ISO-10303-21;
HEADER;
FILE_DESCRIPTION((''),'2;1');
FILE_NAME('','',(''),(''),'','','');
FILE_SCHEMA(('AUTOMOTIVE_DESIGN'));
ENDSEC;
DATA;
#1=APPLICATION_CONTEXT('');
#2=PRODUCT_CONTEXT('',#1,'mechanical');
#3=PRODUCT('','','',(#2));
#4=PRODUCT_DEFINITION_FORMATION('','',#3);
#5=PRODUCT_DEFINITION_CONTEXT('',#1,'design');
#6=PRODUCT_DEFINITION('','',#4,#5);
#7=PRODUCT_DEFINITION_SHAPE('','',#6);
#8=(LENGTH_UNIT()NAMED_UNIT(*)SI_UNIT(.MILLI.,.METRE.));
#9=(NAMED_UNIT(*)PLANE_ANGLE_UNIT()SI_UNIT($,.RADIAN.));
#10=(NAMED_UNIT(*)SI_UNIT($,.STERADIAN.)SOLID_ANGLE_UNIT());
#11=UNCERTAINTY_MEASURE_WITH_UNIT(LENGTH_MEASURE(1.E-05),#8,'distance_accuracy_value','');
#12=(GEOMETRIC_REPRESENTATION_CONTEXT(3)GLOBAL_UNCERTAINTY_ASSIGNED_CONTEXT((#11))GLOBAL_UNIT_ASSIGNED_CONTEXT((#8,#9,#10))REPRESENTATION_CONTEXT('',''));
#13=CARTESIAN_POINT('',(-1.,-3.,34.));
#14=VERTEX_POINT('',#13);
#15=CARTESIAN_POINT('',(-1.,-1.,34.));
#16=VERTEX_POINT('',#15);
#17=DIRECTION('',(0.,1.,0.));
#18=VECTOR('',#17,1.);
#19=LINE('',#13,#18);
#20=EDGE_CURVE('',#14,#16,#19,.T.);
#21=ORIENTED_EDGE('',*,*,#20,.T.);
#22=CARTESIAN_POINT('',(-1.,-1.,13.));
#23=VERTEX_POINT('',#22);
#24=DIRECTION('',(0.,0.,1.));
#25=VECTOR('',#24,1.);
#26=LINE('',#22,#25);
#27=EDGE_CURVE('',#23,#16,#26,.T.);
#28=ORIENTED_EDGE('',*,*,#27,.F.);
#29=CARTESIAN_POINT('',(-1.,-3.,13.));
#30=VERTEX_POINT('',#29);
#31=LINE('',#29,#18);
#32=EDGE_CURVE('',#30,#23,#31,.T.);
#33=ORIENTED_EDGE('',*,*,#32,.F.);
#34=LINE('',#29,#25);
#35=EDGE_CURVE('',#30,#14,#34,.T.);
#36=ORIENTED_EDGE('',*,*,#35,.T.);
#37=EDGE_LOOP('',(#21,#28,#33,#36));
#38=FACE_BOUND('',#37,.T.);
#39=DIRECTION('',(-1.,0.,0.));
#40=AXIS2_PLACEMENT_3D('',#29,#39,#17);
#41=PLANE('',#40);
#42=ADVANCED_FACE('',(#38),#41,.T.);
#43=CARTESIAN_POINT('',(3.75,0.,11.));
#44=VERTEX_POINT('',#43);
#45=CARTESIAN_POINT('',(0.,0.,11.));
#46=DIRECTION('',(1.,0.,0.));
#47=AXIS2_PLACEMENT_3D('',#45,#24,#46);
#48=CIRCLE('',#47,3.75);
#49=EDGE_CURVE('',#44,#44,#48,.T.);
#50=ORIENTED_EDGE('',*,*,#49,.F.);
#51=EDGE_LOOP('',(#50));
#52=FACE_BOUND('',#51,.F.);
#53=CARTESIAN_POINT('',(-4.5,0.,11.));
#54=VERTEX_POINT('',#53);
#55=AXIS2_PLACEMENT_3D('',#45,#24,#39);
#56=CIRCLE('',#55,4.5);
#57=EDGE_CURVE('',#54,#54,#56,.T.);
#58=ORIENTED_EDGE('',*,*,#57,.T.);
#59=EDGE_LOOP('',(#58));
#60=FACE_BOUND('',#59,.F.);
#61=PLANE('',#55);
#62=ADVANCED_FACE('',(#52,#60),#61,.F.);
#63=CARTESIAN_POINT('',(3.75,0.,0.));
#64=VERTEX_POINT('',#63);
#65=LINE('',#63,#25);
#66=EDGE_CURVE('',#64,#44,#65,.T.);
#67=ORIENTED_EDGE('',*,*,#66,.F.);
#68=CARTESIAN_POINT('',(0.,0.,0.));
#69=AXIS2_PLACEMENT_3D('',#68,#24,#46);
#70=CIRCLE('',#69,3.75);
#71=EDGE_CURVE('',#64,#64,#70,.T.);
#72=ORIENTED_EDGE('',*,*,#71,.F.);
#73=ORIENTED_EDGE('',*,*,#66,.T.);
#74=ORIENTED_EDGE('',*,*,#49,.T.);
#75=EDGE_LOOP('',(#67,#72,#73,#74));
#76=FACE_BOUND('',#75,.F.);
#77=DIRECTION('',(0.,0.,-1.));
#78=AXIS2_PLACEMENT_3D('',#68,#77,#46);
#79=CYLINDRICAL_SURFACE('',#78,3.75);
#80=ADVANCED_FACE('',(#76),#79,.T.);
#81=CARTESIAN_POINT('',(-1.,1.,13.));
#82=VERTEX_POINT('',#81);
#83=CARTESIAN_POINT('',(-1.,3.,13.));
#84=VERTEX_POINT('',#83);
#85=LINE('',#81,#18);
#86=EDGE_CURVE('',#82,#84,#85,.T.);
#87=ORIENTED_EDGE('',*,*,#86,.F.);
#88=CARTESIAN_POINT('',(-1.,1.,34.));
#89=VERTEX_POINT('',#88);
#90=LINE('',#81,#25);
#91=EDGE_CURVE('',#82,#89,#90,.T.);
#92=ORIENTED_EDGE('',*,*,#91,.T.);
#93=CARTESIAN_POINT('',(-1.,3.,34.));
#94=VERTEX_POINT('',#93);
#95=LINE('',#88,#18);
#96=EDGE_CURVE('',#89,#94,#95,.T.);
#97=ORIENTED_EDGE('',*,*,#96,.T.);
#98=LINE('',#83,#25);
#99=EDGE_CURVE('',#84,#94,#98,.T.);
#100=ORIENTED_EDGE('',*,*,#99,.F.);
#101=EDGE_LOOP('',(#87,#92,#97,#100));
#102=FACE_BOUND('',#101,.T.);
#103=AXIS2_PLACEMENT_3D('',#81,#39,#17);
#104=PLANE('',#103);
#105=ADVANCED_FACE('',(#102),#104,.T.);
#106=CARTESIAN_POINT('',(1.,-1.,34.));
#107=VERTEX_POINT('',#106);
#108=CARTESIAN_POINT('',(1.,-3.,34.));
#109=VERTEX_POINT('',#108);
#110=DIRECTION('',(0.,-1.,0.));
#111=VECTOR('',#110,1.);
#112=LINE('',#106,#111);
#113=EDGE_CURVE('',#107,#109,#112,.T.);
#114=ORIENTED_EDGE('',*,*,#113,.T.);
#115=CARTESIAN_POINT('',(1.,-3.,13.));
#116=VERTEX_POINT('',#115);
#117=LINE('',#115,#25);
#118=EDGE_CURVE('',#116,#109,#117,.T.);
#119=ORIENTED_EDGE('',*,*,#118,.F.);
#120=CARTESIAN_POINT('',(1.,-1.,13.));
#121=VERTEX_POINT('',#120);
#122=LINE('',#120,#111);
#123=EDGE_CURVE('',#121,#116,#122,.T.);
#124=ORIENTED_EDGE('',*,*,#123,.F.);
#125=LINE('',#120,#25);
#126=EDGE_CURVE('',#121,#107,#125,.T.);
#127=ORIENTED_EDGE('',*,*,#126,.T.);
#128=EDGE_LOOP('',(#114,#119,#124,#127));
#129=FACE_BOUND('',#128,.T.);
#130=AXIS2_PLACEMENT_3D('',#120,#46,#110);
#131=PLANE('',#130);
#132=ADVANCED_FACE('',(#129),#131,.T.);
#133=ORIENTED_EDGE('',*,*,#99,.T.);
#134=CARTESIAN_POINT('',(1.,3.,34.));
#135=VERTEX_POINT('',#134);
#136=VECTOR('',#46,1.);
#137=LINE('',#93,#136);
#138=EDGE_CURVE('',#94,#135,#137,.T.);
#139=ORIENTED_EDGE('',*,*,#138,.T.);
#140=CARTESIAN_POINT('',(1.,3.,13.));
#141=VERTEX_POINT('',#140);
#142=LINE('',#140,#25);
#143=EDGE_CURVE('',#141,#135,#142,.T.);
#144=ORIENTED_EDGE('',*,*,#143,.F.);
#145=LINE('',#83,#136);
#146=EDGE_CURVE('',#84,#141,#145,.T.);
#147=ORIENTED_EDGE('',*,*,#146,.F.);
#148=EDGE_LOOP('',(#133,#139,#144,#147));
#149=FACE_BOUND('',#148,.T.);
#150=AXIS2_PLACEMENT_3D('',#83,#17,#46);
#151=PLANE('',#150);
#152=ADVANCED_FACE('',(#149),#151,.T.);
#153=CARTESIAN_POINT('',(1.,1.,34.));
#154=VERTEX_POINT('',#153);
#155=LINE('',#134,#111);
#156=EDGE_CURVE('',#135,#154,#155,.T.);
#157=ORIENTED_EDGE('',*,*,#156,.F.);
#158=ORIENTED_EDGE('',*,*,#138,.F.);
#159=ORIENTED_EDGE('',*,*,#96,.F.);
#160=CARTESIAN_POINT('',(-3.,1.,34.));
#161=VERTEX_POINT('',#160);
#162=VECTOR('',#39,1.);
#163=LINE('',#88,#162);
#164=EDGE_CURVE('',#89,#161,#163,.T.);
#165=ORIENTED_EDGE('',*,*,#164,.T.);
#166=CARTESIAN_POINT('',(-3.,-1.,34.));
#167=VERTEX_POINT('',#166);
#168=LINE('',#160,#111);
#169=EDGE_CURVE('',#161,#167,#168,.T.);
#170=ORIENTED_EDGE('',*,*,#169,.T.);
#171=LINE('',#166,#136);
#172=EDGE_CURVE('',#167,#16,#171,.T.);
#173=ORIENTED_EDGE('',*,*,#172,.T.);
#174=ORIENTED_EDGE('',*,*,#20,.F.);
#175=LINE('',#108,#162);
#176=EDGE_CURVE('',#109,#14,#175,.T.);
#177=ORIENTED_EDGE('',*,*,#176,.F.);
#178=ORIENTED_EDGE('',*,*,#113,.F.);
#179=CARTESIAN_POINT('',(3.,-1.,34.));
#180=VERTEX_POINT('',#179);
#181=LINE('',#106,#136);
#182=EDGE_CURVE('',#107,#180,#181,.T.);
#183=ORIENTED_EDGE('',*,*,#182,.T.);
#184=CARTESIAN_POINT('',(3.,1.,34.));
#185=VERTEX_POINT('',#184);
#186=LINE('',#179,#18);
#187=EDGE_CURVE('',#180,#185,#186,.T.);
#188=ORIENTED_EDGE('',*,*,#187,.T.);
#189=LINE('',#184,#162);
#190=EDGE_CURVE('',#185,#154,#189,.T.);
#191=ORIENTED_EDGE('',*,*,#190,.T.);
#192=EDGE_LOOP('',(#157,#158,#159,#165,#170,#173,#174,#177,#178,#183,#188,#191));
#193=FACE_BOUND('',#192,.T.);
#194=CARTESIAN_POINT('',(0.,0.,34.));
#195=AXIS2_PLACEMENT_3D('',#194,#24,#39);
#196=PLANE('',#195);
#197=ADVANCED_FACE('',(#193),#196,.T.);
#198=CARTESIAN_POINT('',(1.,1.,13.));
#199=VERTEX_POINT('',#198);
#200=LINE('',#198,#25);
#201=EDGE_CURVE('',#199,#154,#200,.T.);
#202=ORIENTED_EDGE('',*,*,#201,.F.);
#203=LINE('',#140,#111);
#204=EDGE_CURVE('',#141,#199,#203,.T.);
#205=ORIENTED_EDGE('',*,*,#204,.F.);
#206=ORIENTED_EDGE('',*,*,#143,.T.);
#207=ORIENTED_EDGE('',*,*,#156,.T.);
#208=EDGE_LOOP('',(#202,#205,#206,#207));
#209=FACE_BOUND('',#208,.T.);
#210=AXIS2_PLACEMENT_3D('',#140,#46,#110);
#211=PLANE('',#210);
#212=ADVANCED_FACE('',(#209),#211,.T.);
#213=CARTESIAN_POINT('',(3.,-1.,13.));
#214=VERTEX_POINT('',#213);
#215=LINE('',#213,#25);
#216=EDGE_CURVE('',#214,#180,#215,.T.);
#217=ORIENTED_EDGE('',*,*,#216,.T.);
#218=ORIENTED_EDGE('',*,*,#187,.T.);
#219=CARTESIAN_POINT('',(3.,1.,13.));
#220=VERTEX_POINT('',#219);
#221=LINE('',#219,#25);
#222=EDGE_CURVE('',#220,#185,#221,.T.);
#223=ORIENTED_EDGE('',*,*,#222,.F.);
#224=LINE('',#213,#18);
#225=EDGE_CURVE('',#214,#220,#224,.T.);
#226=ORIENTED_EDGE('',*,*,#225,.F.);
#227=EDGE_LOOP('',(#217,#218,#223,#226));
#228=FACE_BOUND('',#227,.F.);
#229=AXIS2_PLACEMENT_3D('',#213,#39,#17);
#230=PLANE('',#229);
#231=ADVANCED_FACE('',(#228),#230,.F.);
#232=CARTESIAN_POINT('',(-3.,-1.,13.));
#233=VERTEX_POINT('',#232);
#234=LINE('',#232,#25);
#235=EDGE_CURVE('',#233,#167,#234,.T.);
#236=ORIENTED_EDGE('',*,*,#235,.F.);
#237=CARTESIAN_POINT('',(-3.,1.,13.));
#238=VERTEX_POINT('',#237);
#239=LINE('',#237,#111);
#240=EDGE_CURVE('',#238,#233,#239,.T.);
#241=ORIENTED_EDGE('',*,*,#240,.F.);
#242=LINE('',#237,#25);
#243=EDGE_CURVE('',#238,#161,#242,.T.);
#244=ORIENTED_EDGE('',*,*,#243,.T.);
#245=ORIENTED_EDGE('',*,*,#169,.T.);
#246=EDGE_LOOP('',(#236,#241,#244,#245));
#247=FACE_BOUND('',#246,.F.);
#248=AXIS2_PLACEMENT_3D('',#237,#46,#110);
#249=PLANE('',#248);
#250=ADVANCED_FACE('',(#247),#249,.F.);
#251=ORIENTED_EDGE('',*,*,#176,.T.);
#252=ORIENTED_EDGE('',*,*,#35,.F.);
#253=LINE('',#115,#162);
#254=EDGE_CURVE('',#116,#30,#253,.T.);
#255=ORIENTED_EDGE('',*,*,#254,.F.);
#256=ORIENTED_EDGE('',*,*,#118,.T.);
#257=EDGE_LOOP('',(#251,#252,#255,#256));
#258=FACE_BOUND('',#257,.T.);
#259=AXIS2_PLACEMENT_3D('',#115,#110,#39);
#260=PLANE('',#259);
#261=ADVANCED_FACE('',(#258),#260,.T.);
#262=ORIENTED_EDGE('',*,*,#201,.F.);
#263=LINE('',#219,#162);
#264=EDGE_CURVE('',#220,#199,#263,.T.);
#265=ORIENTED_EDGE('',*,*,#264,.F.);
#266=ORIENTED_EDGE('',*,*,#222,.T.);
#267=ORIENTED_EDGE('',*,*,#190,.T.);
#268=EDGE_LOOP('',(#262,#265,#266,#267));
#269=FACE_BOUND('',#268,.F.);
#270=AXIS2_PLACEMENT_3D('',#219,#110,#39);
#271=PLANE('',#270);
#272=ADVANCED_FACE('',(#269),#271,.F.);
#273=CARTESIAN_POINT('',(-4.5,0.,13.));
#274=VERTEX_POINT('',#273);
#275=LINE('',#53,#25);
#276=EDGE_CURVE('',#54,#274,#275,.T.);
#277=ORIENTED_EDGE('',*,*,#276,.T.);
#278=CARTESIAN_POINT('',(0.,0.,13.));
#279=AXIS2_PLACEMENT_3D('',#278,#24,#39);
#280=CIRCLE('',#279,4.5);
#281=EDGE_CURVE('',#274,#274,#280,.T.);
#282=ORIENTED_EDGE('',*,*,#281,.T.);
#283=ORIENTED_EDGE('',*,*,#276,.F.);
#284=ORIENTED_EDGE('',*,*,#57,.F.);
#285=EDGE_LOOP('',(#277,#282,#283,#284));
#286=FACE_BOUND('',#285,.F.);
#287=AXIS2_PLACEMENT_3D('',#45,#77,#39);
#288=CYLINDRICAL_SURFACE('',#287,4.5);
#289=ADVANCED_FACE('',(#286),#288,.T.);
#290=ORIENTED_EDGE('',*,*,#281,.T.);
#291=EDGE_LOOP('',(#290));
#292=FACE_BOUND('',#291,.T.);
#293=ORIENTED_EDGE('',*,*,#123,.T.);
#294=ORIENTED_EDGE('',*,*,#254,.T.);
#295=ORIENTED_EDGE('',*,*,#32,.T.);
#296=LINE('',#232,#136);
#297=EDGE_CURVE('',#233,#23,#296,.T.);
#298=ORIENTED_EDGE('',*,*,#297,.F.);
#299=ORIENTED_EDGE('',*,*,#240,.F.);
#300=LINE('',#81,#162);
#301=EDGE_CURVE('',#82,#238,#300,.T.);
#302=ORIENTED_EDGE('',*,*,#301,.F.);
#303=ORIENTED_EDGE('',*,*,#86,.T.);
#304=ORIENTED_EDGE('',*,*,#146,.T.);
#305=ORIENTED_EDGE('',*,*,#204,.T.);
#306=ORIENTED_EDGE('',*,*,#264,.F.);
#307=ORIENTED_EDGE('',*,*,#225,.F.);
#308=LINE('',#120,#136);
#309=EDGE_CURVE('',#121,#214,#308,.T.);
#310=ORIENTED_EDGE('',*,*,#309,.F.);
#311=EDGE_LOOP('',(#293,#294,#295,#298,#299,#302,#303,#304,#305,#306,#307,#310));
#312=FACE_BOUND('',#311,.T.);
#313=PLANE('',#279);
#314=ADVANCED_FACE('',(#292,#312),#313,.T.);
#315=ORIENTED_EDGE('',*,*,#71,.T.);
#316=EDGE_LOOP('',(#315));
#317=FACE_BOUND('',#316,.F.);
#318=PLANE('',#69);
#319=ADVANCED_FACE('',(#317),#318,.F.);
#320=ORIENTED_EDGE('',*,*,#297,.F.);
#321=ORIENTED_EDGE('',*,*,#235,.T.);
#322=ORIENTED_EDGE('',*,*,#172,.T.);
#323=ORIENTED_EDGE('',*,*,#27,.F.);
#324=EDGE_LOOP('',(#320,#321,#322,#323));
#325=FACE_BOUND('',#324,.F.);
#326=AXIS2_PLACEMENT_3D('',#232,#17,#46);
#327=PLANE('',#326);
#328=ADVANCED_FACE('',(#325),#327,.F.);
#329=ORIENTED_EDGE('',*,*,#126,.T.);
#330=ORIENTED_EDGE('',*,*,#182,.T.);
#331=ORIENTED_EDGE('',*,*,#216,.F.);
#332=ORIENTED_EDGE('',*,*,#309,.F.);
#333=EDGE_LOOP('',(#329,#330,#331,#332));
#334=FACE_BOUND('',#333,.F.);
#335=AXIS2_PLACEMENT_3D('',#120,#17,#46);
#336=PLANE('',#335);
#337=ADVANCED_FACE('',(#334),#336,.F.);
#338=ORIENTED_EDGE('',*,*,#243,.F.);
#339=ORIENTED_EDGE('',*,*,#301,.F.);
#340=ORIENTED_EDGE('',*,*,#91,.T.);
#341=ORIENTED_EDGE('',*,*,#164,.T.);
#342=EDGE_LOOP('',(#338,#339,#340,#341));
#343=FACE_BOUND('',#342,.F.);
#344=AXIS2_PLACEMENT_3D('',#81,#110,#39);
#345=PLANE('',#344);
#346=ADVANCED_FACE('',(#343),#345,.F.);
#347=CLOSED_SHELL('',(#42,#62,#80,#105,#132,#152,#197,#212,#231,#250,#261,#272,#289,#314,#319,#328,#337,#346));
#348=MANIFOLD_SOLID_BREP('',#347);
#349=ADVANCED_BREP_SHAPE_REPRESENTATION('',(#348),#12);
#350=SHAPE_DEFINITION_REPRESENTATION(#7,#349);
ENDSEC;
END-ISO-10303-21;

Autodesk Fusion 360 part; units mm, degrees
sketch "Sketch1" plane through (0, 0, 0) normal (0, 0, 1) x (1, 0, 0)
  circle A0 centre (0, 0) radius 3.75
  dimension "d1" = 7.5
extrude "Extrude1" add sketch "Sketch1" along normal blind 11
sketch "Sketch2" plane through (0, 0, 11) normal (0, 0, 1) x (-1, 0, 0)
  circle A0 centre (0, 0) radius 3.75
  circle A1 centre (0, 0) radius 4.5
  dimension "d4" = 9
extrude "Extrude2" add sketch "Sketch2" along normal blind 2 contours A0 | A1
sketch "Sketch3" plane through (0, 0, 13) normal (0, 0, 1) x (-1, 0, 0)
  circle A0 centre (0, 0) radius 4.5
  line L0 (-1, 3) -> (1, 3)
  line L1 (1, -3) -> (-1, -3)
  line L2 (-3, 1) -> (-3, -1)
  line L3 (3, -1) -> (3, 1)
  line L4 (3, 1) -> (1, 1)
  line L5 (-1, 1) -> (-3, 1)
  line L6 (-1, -3) -> (-1, -1)
  line L7 (-1, 1) -> (-1, 3)
  line L8 (1, 3) -> (1, 1)
  line L9 (1, -1) -> (1, -3)
  line L10 (-3, -1) -> (-1, -1)
  line L11 (1, -1) -> (3, -1)
  dimension "d7" = 6
  dimension "d8" = 6
  dimension "d9" = 2
extrude "Extrude3" add sketch "Sketch3" along normal blind 21 contours L0 L1 L2 L3 L4 L5 L6 L7 L8 L9 L10 L11
